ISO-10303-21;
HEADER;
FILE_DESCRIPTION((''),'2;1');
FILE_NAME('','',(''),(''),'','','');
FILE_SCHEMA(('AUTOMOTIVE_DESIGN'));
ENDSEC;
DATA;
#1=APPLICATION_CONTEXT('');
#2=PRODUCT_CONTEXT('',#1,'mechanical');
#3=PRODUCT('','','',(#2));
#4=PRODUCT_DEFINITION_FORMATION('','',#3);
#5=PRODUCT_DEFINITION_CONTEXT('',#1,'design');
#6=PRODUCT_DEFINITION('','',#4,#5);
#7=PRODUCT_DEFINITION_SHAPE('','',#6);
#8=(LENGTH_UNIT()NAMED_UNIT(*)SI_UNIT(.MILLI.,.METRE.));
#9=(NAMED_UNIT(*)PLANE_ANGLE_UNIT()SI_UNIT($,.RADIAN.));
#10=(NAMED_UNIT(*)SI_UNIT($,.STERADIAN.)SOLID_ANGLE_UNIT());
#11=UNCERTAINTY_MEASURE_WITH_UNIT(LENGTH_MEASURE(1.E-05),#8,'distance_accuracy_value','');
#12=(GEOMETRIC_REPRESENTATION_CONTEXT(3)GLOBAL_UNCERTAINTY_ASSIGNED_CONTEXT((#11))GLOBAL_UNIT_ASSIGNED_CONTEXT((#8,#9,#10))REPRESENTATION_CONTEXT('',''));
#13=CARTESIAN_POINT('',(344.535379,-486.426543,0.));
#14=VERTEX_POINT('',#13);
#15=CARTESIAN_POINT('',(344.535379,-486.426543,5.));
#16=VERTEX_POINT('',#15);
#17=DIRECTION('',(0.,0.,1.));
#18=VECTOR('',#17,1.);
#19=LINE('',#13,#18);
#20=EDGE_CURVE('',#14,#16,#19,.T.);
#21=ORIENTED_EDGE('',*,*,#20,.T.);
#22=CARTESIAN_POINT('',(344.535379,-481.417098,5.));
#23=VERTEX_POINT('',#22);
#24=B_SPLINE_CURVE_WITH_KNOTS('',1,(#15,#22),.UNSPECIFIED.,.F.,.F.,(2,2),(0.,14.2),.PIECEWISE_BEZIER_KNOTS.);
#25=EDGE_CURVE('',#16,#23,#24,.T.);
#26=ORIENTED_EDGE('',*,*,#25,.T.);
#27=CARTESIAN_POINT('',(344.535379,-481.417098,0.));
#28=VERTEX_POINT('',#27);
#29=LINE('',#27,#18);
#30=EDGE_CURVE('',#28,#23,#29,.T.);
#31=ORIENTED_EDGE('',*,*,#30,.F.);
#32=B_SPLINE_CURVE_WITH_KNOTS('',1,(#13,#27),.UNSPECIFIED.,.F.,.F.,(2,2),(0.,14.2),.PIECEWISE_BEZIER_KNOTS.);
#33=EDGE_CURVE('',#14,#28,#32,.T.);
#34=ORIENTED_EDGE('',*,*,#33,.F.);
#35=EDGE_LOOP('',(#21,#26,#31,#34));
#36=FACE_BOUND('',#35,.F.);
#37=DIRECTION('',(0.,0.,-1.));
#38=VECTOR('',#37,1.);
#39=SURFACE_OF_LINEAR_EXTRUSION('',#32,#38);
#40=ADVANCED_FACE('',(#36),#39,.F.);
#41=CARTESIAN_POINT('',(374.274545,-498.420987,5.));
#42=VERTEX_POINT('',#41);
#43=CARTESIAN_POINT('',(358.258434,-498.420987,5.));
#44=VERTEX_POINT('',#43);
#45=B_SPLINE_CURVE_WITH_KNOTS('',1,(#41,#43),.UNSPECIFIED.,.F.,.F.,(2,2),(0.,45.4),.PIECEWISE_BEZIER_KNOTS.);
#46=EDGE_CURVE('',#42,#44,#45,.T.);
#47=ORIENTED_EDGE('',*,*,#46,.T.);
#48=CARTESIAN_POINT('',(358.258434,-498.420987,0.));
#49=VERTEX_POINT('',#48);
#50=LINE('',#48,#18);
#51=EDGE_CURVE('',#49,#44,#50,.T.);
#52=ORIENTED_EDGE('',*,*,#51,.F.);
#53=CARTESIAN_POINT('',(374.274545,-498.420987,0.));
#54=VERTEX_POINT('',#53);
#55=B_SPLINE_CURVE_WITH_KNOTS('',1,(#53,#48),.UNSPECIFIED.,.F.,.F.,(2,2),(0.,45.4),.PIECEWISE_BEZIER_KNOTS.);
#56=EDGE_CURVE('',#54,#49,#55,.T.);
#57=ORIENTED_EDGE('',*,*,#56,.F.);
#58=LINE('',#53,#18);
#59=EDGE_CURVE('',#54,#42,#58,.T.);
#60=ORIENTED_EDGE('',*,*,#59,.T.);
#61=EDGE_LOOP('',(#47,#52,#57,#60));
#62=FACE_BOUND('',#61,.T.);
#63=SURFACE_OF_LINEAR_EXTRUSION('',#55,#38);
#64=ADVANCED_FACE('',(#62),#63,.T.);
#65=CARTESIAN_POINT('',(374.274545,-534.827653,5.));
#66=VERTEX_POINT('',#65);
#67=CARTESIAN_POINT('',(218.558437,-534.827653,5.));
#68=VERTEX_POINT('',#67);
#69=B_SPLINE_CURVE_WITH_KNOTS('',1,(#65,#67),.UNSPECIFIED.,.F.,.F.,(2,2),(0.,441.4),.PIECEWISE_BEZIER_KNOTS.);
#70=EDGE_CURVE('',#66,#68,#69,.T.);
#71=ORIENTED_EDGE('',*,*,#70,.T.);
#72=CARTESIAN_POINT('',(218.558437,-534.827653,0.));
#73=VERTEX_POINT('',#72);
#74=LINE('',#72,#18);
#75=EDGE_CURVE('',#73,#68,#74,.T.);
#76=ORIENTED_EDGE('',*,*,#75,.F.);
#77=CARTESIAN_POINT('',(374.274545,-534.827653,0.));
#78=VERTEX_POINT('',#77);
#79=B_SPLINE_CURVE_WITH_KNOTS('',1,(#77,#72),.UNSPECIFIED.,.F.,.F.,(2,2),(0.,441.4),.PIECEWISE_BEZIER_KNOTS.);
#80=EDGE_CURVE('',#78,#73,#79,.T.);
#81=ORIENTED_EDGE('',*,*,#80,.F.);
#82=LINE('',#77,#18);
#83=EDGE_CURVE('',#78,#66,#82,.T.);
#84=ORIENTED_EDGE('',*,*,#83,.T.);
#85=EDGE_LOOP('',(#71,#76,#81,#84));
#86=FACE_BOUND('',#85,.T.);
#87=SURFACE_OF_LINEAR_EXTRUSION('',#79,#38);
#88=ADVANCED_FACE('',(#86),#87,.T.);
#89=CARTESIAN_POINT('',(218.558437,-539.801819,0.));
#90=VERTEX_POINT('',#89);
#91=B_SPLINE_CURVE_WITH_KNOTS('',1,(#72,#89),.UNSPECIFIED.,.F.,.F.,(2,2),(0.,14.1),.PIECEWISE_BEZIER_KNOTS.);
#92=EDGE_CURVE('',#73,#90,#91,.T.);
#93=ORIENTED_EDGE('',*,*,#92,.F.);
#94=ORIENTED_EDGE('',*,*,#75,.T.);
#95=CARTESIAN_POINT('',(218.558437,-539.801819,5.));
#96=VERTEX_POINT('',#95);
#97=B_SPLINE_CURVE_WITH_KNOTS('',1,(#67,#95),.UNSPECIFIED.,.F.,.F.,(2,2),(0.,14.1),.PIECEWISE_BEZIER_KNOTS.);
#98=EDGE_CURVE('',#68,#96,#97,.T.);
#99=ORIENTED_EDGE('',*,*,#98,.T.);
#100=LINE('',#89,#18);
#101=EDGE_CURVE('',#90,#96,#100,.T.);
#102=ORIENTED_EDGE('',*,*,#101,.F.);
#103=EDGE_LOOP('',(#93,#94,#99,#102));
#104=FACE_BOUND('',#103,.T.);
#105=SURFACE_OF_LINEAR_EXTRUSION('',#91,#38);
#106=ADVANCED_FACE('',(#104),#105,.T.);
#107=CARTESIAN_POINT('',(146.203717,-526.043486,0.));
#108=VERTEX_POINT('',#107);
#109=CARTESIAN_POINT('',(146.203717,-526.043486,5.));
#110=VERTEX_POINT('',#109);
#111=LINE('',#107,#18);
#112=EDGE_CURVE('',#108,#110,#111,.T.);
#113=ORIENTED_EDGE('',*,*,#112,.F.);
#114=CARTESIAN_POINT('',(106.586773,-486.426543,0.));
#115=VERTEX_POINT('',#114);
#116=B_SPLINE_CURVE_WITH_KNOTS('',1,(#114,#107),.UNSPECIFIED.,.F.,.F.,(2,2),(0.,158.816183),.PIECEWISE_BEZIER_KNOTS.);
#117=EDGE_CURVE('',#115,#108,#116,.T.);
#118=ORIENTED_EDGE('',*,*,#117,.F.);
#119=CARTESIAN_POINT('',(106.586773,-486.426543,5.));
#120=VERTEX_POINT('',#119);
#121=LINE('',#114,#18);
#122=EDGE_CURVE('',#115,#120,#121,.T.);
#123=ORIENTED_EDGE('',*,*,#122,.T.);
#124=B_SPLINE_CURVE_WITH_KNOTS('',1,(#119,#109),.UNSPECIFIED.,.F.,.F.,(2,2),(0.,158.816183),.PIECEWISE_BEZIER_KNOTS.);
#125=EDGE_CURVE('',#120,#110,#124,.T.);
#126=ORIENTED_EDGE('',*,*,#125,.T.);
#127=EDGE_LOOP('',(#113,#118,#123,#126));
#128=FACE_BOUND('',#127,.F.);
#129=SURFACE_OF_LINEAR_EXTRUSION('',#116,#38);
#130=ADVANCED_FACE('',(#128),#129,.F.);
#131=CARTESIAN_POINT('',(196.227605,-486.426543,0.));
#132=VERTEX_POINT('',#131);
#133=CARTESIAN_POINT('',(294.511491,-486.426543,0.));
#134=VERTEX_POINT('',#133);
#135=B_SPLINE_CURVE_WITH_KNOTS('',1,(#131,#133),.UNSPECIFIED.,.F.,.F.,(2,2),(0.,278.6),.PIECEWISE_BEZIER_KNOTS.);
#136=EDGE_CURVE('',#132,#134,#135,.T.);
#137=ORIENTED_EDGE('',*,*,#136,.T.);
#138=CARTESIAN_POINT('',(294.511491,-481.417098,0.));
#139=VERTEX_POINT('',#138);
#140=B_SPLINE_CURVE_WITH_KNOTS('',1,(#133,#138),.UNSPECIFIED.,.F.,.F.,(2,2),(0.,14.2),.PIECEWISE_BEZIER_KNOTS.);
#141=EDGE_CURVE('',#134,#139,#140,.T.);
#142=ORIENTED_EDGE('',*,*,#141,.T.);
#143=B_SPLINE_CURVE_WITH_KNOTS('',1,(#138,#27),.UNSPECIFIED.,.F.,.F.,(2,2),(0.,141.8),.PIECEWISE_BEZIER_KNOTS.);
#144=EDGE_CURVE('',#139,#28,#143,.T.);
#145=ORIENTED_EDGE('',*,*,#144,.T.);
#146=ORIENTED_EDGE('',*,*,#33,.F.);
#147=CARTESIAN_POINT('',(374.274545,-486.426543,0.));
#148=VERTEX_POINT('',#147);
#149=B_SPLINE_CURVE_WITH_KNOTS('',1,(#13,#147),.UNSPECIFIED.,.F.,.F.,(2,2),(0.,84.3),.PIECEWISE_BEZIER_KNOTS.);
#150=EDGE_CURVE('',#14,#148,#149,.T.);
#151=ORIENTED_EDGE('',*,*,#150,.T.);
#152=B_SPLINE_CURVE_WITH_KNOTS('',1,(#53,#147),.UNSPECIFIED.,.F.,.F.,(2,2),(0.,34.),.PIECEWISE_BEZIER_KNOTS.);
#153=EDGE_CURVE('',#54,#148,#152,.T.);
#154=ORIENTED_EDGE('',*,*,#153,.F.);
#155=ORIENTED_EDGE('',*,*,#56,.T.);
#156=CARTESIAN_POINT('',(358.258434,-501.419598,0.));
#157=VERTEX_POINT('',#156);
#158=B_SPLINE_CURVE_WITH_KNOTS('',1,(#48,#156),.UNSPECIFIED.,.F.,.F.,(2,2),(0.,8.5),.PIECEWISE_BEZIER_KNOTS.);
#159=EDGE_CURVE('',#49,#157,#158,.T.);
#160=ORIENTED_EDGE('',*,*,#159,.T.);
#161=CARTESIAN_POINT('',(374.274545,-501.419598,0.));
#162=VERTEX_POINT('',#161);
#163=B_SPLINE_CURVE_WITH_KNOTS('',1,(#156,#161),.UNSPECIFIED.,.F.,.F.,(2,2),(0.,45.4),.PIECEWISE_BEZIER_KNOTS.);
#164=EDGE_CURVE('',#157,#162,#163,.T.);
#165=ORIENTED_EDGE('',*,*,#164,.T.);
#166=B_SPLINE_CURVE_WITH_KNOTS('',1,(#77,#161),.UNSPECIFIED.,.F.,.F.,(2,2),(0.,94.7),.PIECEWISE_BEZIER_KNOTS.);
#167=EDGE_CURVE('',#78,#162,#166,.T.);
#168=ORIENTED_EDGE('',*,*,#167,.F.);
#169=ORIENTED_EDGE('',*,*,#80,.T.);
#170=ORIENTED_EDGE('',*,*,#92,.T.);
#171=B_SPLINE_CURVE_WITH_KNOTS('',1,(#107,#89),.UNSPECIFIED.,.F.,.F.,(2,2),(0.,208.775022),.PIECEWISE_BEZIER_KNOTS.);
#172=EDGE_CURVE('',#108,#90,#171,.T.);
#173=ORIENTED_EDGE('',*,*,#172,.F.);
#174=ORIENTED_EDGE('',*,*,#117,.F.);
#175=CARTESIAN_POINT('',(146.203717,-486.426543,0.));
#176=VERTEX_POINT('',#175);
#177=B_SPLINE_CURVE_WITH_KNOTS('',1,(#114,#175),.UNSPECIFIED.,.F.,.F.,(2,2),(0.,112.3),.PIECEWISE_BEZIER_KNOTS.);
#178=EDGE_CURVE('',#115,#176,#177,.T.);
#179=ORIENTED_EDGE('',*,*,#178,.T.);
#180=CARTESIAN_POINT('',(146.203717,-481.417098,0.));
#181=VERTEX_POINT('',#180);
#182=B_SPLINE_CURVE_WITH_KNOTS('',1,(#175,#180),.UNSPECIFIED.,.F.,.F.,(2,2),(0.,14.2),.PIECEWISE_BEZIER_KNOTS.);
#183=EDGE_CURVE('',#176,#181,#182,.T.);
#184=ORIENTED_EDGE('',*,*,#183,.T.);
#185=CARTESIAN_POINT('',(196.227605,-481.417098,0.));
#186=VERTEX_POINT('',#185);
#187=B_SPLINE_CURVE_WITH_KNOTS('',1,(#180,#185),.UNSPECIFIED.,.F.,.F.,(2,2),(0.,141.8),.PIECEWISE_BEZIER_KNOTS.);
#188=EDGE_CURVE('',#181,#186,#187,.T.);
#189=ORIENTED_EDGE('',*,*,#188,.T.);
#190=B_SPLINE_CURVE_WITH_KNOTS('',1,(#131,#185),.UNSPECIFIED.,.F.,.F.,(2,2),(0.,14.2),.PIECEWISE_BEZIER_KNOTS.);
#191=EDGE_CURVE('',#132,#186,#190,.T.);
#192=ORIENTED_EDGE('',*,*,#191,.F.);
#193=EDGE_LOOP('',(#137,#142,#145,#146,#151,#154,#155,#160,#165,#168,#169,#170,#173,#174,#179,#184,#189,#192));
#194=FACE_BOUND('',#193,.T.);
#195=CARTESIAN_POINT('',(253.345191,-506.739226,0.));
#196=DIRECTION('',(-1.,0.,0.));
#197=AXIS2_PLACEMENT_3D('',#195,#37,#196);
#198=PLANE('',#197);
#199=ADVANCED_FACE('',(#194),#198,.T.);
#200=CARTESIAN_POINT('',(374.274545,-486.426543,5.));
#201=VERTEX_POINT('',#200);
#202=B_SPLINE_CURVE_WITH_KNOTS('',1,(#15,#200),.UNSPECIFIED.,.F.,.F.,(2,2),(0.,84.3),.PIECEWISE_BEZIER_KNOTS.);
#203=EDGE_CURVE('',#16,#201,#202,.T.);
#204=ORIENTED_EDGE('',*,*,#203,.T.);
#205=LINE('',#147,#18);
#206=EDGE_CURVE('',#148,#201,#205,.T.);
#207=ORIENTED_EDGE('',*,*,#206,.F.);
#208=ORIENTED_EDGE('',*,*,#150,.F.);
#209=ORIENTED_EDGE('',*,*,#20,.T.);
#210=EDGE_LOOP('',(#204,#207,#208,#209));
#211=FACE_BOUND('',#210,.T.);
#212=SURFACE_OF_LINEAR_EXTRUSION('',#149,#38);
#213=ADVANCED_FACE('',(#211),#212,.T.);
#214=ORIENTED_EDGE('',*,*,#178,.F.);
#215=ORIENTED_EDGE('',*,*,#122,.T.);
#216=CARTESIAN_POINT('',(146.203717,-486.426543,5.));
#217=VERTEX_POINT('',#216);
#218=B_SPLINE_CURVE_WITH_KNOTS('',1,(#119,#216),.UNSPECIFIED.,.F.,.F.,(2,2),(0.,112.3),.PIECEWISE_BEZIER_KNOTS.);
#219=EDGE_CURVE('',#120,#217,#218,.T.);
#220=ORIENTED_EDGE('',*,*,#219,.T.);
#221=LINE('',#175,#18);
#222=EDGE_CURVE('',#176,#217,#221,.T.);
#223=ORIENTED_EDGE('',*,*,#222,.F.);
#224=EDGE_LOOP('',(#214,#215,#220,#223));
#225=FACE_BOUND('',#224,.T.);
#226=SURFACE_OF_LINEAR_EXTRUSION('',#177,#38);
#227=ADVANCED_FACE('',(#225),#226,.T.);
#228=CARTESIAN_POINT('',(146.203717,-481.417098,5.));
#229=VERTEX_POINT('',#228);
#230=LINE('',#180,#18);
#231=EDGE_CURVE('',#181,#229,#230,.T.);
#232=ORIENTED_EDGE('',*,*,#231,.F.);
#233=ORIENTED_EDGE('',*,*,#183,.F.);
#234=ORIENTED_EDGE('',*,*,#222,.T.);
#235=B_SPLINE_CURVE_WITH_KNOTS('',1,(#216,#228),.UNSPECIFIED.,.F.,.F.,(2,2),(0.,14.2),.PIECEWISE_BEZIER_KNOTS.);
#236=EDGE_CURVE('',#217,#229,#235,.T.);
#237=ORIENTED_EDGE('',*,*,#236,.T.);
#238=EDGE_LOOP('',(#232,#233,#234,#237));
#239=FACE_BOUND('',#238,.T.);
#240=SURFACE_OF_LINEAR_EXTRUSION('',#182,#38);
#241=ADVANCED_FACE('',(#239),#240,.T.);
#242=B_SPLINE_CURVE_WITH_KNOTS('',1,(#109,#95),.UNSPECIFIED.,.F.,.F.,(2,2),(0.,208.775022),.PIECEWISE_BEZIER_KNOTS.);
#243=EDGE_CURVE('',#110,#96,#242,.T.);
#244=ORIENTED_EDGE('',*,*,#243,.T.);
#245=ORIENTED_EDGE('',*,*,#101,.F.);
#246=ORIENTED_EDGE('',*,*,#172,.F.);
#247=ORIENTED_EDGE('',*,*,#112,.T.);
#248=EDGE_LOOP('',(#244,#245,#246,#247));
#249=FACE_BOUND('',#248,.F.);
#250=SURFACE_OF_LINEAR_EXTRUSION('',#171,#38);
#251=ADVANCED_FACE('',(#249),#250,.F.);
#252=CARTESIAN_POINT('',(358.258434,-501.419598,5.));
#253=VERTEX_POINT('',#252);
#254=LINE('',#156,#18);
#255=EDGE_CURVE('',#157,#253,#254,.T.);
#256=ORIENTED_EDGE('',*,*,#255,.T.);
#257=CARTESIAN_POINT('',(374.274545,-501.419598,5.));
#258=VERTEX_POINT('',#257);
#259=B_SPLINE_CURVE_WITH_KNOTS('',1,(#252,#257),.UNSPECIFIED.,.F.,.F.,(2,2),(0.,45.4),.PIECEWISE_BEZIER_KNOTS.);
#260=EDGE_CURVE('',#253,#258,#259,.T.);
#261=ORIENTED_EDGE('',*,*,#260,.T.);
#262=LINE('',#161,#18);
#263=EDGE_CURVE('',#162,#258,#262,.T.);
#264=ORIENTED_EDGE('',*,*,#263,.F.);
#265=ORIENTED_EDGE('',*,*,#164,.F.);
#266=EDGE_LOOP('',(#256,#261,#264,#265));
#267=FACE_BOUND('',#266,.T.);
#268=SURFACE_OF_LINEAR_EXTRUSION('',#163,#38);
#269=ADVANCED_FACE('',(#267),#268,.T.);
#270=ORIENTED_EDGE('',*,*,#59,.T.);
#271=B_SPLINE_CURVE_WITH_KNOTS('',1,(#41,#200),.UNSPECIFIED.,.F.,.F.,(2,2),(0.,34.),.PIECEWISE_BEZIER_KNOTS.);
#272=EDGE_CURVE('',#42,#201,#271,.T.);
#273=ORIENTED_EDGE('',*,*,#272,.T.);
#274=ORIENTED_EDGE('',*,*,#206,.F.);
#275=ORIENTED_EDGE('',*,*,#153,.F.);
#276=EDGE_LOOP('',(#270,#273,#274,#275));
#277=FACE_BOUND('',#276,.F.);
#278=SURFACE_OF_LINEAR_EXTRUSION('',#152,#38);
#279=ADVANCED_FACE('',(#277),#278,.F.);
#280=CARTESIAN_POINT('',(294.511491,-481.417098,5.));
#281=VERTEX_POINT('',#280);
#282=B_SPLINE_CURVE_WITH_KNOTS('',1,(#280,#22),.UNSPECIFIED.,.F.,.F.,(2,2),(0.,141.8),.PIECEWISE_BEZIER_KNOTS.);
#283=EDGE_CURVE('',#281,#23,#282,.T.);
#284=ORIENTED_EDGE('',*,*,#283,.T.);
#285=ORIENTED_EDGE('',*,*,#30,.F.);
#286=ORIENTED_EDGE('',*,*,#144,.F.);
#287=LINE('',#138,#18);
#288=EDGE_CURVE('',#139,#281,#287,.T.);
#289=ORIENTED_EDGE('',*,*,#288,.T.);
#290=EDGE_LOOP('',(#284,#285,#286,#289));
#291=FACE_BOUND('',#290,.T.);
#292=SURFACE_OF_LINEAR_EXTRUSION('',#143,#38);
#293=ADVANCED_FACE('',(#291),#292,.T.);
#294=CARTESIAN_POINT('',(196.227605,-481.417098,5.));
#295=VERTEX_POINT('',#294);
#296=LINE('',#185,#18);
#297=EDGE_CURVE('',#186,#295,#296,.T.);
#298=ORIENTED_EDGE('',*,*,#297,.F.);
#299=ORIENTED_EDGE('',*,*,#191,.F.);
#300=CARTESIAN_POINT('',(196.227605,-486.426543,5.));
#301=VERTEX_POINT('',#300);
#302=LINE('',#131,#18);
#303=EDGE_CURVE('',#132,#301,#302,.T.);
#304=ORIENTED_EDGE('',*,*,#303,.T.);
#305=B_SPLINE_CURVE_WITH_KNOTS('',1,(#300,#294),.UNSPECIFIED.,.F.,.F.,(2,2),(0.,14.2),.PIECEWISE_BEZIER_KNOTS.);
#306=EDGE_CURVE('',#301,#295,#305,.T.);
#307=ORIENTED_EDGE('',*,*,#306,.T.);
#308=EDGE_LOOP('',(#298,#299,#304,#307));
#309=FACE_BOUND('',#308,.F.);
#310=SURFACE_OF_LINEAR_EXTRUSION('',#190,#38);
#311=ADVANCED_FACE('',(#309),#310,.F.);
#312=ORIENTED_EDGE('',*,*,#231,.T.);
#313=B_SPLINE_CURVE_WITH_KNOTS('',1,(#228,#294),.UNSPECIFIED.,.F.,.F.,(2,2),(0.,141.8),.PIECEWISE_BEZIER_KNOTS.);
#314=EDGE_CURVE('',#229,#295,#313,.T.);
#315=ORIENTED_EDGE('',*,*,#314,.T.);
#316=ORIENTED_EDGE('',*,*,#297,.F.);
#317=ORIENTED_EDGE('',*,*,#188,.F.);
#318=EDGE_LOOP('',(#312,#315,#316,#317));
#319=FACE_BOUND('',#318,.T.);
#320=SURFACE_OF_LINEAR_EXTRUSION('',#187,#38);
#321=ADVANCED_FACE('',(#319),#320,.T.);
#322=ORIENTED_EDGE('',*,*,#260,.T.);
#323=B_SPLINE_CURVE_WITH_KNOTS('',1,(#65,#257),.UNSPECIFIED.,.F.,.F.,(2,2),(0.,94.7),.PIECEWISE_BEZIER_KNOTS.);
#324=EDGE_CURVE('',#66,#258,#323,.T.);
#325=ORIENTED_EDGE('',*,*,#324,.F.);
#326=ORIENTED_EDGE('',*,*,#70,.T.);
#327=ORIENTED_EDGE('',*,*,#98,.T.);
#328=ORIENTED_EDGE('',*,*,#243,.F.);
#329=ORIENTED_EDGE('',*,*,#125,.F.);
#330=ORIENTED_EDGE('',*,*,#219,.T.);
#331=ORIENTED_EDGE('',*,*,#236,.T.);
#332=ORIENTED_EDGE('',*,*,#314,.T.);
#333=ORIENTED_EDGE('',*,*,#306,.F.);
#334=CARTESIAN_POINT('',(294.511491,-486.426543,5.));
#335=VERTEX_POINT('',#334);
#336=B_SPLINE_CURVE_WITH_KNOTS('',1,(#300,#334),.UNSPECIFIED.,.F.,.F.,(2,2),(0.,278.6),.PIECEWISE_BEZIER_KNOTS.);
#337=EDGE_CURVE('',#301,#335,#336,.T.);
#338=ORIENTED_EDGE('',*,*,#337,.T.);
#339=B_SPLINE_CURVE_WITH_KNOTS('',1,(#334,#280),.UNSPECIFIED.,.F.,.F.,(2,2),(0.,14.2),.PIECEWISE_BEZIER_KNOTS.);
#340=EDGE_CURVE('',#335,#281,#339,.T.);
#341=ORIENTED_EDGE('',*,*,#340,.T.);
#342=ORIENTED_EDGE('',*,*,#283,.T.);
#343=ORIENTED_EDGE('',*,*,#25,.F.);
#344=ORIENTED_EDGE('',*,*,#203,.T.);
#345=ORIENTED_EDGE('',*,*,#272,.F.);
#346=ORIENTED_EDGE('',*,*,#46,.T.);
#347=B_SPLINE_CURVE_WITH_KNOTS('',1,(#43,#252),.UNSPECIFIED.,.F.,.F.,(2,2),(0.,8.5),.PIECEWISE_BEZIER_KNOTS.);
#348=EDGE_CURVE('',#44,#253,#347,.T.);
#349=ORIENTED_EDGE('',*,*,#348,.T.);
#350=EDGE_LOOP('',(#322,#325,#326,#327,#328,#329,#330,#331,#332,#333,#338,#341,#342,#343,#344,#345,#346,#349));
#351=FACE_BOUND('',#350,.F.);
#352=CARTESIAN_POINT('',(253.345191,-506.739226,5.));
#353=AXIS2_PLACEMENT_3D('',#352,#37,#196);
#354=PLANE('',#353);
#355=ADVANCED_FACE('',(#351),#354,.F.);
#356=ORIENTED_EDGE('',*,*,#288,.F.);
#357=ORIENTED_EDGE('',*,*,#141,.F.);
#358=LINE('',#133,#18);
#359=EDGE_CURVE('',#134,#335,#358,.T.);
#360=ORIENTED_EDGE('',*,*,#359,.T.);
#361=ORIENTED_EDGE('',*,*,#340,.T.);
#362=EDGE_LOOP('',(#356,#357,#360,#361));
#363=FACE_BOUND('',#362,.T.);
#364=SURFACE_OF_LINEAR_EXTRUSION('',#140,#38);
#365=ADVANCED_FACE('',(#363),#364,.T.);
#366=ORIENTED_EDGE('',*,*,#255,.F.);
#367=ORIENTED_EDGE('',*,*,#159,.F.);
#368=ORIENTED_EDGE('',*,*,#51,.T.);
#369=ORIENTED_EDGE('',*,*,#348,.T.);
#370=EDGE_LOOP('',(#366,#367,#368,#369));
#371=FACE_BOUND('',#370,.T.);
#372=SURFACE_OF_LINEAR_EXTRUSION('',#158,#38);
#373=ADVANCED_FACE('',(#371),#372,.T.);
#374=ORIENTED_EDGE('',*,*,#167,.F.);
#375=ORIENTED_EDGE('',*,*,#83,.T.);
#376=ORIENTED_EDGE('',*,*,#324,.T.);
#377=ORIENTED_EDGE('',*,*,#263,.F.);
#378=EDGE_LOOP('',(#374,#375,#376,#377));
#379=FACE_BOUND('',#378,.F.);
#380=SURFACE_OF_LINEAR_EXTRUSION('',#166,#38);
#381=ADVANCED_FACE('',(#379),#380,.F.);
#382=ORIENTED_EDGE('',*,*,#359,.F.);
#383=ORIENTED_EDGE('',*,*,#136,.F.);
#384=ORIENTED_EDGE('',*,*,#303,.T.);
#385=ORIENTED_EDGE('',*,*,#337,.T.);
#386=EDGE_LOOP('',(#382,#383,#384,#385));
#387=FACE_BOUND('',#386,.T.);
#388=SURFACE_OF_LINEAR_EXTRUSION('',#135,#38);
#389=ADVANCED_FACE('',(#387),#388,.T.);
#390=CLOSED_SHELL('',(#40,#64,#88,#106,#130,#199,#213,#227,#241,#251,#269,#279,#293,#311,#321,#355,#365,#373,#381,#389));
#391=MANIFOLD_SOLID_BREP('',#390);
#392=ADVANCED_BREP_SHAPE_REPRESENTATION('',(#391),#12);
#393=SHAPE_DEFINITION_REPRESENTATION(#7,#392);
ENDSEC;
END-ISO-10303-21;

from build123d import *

# Parameters (mm, degrees)
PAD007_DEPTH = 5


with BuildPart() as part:
    # Sketch008 → Pad007 (new body)
    with BuildSketch(Plane.XY):
        with BuildLine():
            add(Edge.make_bspline(
                [(106.586773, -486.426543), (146.203717, -486.426543)],
                knots=[0, 0, 112.3, 112.3], degree=1))
            add(Edge.make_bspline(
                [(146.203717, -486.426543), (146.203717, -481.417098)],
                knots=[0, 0, 14.2, 14.2], degree=1))
            add(Edge.make_bspline(
                [(146.203717, -481.417098), (196.227605, -481.417098)],
                knots=[0, 0, 141.8, 141.8], degree=1))
            add(Edge.make_bspline(
                [(196.227605, -486.426543), (196.227605, -481.417098)],
                knots=[0, 0, 14.2, 14.2], degree=1))
            add(Edge.make_bspline(
                [(196.227605, -486.426543), (294.511491, -486.426543)],
                knots=[0, 0, 278.6, 278.6], degree=1))
            add(Edge.make_bspline(
                [(294.511491, -486.426543), (294.511491, -481.417098)],
                knots=[0, 0, 14.2, 14.2], degree=1))
            add(Edge.make_bspline(
                [(294.511491, -481.417098), (344.535379, -481.417098)],
                knots=[0, 0, 141.8, 141.8], degree=1))
            add(Edge.make_bspline(
                [(344.535379, -486.426543), (344.535379, -481.417098)],
                knots=[0, 0, 14.2, 14.2], degree=1))
            add(Edge.make_bspline(
                [(344.535379, -486.426543), (374.274545, -486.426543)],
                knots=[0, 0, 84.3, 84.3], degree=1))
            add(Edge.make_bspline(
                [(374.274545, -498.420987), (374.274545, -486.426543)],
                knots=[0, 0, 34, 34], degree=1))
            add(Edge.make_bspline(
                [(374.274545, -498.420987), (358.258434, -498.420987)],
                knots=[0, 0, 45.4, 45.4], degree=1))
            add(Edge.make_bspline(
                [(358.258434, -498.420987), (358.258434, -501.419598)],
                knots=[0, 0, 8.5, 8.5], degree=1))
            add(Edge.make_bspline(
                [(358.258434, -501.419598), (374.274545, -501.419598)],
                knots=[0, 0, 45.4, 45.4], degree=1))
            add(Edge.make_bspline(
                [(374.274545, -534.827653), (374.274545, -501.419598)],
                knots=[0, 0, 94.7, 94.7], degree=1))
            add(Edge.make_bspline(
                [(374.274545, -534.827653), (218.558437, -534.827653)],
                knots=[0, 0, 441.4, 441.4], degree=1))
            add(Edge.make_bspline(
                [(218.558437, -534.827653), (218.558437, -539.801819)],
                knots=[0, 0, 14.1, 14.1], degree=1))
            add(Edge.make_bspline(
                [(146.203717, -526.043486), (218.558437, -539.801819)],
                knots=[0, 0, 208.775022, 208.775022], degree=1))
            add(Edge.make_bspline(
                [(106.586773, -486.426543), (146.203717, -526.043486)],
                knots=[0, 0, 158.816183, 158.816183], degree=1))
        make_face()
    extrude(amount=PAD007_DEPTH)


solid = part.part
